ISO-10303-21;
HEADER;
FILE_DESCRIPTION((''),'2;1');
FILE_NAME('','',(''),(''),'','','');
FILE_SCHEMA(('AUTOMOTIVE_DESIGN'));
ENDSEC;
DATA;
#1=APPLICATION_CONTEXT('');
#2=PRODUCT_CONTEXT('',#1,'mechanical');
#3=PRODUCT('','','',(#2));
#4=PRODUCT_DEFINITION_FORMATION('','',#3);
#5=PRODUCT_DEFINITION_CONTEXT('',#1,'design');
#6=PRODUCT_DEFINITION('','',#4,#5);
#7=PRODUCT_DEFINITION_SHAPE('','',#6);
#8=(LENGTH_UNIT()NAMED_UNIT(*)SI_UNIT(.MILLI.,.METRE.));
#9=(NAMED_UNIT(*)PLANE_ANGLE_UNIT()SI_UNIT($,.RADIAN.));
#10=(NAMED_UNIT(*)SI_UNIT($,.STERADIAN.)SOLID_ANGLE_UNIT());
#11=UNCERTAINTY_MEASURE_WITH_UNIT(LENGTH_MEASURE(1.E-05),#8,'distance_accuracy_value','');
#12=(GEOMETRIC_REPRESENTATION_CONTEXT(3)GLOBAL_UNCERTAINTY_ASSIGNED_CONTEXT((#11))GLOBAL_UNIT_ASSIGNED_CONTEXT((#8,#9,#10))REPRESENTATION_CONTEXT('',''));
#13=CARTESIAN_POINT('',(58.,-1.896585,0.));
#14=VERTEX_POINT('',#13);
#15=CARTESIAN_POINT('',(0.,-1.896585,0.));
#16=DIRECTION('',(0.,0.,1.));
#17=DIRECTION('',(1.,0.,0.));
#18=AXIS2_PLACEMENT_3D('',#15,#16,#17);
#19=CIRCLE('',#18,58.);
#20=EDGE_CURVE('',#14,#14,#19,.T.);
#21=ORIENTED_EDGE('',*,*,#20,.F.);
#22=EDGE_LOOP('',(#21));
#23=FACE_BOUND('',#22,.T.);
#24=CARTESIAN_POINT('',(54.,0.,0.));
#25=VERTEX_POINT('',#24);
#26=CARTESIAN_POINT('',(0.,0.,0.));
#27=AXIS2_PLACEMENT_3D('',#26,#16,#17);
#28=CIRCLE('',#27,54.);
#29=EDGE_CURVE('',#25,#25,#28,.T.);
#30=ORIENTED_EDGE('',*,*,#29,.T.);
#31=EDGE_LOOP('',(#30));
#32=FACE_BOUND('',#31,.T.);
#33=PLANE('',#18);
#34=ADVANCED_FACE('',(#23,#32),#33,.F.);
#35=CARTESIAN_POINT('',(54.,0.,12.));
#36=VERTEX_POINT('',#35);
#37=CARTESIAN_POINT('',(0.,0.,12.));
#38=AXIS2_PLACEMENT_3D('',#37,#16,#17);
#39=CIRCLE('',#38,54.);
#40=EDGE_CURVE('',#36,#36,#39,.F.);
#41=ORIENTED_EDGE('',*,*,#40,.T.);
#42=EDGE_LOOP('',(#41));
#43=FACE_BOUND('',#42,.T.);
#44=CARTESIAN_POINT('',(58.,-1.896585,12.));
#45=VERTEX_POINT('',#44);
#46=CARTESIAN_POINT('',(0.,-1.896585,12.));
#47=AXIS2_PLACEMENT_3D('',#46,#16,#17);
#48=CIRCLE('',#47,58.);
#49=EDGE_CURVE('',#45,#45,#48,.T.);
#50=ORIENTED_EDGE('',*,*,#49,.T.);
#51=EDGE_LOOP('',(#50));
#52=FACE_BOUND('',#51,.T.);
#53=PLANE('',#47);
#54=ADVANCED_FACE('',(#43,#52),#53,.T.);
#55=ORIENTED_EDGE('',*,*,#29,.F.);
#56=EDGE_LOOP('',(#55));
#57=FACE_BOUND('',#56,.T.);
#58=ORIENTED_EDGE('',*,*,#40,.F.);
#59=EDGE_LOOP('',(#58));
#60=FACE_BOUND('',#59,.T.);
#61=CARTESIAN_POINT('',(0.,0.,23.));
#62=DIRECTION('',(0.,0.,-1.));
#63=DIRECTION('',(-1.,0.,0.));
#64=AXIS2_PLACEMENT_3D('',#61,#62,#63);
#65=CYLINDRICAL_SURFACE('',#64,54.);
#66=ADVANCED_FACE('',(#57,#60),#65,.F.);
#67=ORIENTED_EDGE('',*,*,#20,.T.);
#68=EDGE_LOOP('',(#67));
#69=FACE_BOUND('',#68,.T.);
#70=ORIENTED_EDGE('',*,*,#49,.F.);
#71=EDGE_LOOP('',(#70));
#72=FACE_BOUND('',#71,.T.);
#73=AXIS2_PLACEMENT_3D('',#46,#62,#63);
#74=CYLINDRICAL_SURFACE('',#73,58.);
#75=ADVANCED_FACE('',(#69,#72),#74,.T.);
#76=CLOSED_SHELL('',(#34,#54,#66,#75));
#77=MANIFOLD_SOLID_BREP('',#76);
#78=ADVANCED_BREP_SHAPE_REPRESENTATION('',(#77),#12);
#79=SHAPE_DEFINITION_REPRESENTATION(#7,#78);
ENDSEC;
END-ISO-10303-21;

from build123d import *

# Parameters (mm, degrees)
SKETCH1_R           = 58
BOSS_EXTRUDE2_DEPTH = 12
SKETCH5_R           = 54
CUT_EXTRUDE1_DEPTH  = 23


with BuildPart() as part:
    # Sketch1 → Boss-Extrude2 (new body)
    with BuildSketch(Plane.XY):
        with Locations((0, -1.896585201)):
            Circle(SKETCH1_R)
    extrude(amount=BOSS_EXTRUDE2_DEPTH)

    # Sketch5 → Cut-Extrude1 (cut)
    with BuildSketch(Plane.XY):
        Circle(SKETCH5_R)
    extrude(amount=CUT_EXTRUDE1_DEPTH, mode=Mode.SUBTRACT)


solid = part.part
